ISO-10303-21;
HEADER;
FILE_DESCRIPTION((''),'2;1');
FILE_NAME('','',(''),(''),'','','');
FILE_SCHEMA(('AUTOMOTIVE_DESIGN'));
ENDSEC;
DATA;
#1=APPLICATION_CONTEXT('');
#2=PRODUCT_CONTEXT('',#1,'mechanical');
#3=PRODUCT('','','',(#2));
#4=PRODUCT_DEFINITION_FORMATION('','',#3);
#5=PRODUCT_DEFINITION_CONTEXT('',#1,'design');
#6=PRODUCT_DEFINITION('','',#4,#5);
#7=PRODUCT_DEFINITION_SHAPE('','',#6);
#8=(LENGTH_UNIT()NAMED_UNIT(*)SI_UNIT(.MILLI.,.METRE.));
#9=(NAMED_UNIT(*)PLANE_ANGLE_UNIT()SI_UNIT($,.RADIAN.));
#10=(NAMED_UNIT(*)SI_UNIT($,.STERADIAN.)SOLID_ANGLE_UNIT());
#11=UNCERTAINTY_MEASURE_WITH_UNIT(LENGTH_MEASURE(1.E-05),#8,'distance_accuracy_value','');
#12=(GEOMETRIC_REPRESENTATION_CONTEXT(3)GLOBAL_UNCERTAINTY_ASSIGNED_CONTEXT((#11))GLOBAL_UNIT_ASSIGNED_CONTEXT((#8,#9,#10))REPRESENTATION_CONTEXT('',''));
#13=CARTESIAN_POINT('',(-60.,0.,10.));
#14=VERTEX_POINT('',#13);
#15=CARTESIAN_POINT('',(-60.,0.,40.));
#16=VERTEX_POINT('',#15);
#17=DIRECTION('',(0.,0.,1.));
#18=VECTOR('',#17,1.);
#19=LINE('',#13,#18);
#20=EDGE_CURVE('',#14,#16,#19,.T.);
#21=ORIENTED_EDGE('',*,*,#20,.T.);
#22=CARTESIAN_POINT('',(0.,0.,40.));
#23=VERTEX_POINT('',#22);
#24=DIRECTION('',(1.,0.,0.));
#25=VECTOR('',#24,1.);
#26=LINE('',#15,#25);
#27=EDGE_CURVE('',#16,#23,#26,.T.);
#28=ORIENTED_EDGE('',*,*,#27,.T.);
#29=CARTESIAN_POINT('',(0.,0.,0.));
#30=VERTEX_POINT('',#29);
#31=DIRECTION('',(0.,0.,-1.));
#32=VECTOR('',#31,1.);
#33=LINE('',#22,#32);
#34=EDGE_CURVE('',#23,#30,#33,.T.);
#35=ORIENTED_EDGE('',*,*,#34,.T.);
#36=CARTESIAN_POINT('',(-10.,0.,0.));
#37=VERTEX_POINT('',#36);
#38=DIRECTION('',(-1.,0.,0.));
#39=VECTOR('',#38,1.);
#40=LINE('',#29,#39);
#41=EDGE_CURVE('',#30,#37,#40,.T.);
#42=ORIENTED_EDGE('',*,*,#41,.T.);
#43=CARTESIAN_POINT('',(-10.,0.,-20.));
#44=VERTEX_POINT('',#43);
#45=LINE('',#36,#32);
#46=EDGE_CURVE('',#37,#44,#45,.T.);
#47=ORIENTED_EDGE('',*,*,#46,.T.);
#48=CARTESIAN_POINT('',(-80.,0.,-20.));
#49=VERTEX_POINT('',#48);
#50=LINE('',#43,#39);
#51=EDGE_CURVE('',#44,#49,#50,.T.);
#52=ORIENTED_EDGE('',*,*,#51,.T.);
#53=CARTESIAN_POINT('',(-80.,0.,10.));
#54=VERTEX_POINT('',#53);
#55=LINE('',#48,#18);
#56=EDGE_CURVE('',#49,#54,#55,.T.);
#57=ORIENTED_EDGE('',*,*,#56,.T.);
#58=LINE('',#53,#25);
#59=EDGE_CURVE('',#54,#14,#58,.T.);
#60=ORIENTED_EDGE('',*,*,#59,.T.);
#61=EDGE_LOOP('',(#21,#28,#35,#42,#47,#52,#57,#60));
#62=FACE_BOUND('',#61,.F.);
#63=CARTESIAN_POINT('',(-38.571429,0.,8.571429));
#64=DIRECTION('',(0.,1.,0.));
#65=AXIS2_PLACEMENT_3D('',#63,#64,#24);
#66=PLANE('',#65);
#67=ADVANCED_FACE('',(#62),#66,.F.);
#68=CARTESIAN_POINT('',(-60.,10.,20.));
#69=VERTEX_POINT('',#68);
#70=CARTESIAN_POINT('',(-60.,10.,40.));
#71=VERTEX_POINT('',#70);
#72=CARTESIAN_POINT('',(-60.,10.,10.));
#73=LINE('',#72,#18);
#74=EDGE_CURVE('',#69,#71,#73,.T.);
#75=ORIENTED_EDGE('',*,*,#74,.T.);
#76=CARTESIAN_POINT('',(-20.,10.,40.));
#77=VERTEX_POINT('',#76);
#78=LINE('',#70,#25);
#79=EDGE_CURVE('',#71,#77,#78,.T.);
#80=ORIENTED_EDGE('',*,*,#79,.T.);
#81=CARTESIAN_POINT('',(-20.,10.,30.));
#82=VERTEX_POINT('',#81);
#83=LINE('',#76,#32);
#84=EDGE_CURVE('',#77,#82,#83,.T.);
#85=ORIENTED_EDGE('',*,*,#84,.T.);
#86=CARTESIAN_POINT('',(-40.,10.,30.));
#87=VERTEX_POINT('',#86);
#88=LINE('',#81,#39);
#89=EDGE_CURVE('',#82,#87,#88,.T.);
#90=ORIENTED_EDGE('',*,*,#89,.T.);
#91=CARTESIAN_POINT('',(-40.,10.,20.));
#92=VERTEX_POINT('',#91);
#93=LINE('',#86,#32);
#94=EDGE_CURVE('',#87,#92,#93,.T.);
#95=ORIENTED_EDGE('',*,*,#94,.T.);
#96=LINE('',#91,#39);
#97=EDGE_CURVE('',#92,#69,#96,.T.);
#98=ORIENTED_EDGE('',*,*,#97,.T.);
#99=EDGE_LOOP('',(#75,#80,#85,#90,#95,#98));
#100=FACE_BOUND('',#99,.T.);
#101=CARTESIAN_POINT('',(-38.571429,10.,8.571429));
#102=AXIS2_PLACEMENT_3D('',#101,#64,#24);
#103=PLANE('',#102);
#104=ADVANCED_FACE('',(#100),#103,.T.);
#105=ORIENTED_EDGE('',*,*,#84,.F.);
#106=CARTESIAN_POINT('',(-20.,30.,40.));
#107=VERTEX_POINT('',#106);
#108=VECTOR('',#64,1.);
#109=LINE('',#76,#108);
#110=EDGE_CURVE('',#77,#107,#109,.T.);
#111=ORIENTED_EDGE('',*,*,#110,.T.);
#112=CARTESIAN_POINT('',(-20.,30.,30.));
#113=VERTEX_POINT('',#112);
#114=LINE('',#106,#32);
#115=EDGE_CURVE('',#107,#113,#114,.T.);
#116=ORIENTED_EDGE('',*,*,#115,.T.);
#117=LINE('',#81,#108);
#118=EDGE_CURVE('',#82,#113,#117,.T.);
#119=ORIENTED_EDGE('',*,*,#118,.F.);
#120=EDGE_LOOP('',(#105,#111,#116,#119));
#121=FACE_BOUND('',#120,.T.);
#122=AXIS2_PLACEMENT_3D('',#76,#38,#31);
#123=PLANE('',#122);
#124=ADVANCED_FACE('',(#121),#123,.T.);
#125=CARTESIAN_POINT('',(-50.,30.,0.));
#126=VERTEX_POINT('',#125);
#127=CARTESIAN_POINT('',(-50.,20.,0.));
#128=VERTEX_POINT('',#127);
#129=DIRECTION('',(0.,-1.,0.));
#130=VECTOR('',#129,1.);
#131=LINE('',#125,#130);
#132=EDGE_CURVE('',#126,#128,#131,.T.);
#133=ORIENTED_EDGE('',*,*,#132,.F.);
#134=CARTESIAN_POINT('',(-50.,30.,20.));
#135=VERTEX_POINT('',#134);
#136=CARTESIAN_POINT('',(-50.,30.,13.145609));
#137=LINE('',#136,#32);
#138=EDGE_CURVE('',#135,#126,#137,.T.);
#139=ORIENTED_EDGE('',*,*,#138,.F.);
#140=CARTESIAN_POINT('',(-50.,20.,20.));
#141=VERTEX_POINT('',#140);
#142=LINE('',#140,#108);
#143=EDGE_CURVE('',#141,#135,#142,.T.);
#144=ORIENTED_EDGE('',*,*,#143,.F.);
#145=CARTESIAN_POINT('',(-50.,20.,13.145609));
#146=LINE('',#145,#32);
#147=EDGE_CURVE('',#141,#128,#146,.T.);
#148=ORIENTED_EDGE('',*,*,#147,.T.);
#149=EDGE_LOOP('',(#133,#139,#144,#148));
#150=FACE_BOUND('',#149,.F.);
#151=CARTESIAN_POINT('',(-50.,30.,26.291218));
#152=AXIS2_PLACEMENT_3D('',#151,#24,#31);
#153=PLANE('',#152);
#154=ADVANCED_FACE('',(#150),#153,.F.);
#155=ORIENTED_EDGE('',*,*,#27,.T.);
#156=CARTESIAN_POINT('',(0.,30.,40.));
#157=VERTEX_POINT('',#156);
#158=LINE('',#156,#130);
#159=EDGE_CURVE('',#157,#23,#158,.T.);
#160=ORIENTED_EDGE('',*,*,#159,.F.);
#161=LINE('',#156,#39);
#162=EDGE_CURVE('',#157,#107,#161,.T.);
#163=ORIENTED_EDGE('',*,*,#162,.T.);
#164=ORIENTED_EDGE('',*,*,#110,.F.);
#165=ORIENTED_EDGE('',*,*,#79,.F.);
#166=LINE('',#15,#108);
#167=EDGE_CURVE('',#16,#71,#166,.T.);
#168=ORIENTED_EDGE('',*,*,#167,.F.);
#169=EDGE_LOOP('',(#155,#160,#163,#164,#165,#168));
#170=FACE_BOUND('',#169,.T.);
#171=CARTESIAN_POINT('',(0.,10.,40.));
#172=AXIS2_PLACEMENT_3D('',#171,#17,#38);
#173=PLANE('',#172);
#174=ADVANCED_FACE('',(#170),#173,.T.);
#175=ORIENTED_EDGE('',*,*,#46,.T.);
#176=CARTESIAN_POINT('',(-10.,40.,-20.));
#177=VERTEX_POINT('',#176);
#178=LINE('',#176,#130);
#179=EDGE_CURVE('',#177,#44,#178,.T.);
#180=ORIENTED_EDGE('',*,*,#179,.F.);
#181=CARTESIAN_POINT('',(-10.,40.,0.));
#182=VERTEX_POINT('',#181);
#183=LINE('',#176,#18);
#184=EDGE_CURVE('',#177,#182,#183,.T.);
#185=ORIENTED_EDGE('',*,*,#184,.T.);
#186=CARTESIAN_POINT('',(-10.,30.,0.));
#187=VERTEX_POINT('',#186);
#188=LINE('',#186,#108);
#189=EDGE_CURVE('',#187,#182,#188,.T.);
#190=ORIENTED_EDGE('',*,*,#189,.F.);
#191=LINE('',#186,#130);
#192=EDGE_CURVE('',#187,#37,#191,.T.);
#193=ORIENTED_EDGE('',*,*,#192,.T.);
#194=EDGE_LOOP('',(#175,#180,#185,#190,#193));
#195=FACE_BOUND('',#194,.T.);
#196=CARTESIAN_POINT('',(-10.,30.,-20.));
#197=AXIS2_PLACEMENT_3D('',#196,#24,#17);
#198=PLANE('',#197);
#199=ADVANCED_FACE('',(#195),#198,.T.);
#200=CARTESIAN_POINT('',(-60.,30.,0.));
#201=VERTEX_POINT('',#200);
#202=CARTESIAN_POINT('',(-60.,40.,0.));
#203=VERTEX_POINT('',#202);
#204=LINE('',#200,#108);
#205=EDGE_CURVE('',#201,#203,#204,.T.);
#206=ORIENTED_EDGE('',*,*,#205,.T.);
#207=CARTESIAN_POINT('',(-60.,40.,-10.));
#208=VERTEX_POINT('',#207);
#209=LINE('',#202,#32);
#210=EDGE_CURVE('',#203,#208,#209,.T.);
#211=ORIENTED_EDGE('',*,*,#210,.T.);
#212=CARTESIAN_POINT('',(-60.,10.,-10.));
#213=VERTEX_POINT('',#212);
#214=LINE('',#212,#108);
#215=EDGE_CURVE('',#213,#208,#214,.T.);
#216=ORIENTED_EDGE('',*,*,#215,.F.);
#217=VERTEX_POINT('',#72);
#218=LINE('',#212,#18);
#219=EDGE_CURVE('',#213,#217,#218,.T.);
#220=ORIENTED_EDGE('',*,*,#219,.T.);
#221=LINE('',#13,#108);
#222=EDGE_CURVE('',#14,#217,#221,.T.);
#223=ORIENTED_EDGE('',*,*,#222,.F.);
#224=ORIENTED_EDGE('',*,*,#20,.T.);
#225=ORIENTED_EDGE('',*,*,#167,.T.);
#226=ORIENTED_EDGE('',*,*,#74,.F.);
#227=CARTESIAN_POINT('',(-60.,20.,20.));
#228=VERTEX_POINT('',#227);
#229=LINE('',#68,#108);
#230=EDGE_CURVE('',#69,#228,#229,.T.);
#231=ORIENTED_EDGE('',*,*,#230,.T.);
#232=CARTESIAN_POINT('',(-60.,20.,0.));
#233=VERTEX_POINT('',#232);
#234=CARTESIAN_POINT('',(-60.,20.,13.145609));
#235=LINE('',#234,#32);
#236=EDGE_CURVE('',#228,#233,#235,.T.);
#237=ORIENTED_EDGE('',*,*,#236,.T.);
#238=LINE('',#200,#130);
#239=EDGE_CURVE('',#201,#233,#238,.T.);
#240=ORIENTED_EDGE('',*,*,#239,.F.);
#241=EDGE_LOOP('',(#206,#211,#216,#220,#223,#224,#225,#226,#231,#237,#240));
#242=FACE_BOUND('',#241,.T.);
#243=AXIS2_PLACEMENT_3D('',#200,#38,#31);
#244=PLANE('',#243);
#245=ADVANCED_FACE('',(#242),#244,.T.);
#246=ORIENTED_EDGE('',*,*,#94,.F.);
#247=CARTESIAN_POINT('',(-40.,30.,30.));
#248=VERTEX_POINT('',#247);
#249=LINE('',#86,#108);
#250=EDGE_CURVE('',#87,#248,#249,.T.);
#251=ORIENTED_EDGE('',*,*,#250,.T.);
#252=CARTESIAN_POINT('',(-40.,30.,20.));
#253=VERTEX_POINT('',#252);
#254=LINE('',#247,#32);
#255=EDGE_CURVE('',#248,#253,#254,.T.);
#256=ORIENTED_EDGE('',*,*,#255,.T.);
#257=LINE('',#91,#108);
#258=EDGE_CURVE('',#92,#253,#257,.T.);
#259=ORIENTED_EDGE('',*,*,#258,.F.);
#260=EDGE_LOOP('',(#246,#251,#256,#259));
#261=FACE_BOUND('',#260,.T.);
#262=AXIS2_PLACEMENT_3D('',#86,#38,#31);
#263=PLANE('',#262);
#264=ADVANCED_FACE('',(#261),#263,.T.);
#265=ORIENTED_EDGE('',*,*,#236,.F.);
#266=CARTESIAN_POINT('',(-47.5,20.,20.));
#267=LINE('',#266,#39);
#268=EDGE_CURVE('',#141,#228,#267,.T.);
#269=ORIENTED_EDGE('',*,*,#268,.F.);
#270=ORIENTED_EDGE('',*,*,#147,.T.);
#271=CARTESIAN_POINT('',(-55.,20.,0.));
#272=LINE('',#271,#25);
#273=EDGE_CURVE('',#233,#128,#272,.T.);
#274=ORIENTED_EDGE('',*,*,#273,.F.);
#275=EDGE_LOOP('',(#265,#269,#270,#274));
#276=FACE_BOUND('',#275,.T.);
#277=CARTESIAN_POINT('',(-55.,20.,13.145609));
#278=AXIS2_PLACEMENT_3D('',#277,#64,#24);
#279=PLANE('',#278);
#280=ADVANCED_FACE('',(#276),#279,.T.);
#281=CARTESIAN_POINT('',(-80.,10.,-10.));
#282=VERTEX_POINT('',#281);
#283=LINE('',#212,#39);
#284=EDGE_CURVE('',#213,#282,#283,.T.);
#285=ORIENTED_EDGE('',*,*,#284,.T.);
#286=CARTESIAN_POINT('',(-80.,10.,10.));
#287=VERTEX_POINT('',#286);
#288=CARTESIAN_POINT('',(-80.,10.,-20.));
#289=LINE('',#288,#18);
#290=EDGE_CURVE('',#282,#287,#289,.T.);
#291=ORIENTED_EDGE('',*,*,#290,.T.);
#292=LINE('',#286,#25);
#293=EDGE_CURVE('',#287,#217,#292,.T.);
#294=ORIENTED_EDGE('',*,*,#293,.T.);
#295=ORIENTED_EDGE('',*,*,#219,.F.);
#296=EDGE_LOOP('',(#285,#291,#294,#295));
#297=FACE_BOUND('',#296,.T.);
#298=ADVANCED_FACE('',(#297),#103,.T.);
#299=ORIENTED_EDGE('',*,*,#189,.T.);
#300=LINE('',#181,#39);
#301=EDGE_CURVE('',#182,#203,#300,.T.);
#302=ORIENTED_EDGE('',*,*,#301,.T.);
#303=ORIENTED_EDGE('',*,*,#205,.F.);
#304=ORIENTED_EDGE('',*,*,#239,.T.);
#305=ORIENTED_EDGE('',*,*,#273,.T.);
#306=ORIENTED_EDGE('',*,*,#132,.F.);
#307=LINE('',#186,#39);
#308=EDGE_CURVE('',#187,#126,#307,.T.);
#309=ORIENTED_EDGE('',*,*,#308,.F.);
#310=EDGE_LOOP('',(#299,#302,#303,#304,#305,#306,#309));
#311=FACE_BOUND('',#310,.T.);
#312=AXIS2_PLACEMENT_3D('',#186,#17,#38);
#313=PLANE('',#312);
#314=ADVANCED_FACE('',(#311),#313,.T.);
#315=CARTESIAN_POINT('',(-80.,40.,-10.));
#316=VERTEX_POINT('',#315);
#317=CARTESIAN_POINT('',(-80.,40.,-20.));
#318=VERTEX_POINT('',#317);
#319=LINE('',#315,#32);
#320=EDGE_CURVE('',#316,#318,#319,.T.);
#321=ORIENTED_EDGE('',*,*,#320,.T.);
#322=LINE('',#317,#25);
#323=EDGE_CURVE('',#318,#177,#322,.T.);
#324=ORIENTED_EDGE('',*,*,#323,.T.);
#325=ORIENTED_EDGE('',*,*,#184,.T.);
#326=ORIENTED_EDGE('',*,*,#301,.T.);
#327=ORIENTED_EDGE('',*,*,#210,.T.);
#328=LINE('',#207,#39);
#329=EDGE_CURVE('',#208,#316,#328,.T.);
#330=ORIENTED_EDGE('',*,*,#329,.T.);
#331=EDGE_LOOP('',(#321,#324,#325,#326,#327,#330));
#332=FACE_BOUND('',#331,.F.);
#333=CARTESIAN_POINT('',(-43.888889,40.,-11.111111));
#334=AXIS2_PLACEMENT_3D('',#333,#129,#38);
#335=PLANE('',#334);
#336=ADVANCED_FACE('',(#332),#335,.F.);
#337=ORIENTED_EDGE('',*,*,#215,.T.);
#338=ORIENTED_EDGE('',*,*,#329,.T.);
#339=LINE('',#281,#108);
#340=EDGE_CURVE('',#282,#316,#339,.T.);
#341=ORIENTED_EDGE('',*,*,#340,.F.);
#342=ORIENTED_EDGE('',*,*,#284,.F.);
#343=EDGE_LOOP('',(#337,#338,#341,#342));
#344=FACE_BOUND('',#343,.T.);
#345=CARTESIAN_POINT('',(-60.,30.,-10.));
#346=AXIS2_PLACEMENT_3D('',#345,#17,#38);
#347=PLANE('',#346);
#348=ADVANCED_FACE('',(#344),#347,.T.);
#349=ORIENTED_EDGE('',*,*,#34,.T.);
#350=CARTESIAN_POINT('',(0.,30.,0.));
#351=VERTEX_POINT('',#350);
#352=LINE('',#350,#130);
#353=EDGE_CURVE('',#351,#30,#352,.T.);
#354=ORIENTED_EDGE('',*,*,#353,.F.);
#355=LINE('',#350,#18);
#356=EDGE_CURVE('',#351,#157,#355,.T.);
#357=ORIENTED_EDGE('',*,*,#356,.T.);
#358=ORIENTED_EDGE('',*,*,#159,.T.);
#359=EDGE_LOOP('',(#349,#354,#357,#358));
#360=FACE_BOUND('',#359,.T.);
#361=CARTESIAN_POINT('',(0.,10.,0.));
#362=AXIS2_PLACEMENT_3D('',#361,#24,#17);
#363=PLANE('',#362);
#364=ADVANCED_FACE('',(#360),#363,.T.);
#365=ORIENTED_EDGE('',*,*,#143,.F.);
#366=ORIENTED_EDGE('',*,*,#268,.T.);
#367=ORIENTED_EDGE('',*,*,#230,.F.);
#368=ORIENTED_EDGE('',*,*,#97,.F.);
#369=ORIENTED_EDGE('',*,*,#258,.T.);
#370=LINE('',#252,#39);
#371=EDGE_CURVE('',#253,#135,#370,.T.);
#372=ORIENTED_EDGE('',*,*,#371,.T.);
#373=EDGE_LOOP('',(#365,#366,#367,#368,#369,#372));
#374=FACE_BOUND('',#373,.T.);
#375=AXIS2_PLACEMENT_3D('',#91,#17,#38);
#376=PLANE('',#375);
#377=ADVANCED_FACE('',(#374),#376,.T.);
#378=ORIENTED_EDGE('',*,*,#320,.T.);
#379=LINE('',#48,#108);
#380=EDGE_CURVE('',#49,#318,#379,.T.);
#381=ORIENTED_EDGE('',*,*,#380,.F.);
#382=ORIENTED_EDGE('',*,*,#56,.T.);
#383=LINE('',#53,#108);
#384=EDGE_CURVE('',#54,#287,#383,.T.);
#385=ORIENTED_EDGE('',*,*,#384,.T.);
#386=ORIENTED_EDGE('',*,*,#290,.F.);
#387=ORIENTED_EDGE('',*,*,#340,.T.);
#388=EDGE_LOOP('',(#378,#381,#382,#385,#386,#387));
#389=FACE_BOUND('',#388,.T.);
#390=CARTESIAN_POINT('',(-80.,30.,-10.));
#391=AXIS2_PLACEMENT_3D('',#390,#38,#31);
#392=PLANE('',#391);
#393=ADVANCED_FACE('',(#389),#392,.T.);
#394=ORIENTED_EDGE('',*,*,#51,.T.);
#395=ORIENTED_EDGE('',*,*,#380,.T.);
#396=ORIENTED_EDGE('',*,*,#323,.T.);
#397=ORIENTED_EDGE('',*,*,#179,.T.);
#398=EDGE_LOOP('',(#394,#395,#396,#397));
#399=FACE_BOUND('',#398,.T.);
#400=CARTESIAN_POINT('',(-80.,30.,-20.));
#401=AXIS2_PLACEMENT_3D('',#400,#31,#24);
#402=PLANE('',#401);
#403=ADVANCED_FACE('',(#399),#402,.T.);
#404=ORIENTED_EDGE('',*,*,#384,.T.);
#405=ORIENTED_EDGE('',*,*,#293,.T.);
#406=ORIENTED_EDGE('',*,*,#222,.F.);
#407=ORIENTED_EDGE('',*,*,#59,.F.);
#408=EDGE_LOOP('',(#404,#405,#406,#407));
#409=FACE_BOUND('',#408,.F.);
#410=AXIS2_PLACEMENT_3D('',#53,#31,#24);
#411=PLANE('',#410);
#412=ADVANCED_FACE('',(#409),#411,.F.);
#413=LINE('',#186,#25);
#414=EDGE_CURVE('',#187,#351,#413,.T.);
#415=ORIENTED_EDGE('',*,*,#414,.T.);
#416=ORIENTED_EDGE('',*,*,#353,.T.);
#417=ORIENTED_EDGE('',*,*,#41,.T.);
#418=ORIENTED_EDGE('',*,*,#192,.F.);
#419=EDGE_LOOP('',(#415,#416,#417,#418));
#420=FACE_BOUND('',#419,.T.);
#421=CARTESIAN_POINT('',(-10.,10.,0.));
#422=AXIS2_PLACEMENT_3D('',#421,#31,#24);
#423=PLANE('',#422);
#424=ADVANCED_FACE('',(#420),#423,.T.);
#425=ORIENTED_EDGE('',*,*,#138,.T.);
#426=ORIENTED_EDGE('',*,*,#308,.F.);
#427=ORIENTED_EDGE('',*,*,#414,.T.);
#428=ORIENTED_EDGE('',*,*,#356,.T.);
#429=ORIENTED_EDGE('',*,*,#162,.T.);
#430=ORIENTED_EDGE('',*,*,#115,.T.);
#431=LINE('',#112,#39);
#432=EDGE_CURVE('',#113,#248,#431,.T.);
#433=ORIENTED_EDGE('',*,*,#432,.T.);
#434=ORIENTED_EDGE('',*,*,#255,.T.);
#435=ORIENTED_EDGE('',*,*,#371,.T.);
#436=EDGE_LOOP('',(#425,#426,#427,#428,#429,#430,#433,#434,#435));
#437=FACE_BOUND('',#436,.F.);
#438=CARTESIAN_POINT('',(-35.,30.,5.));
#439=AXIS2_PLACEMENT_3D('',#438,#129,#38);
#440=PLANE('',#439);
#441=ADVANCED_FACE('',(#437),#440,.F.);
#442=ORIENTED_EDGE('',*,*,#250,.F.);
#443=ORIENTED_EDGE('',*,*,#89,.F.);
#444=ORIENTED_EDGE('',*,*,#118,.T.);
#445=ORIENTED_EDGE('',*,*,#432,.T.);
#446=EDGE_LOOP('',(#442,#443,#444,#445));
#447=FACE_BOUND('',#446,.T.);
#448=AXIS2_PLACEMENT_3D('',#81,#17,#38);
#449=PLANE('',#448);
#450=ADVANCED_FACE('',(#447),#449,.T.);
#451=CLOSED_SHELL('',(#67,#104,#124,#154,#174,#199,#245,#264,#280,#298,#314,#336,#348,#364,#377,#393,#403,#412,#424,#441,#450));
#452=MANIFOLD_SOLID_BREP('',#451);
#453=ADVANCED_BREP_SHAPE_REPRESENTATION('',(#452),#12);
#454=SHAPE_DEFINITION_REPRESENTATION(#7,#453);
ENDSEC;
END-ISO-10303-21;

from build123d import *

# Parameters (mm, degrees)
BOSS_EXTRUDE1_DEPTH = 10
BOSS_EXTRUDE2_DEPTH = 20
BOSS_EXTRUDE3_DEPTH = 10
SKETCH4_W           = 10
SKETCH4_H           = 26.291217747
CUT_EXTRUDE1_DEPTH  = 10


with BuildPart() as part:
    # Sketch1 → Boss-Extrude1 (new body)
    with BuildSketch(Plane(origin=(0, 0, 0), x_dir=(1, 0, 0), z_dir=(0, 1, 0))):
        Polygon((0, 0), (-10, 0), (-10, 20), (-80, 20), (-80, -10), (-60, -10), (-60, -40), (0, -40), align=None)
    extrude(amount=BOSS_EXTRUDE1_DEPTH)

    # Sketch2 → Boss-Extrude2 (add)
    with BuildSketch(Plane(origin=(0, 10, 0), x_dir=(1, 0, 0), z_dir=(0, 1, 0))):
        Polygon((-10, 20), (-10, 0), (0, 0), (0, -40), (-20, -40), (-20, -30), (-40, -30), (-40, -20), (-60, -20), (-60, -10), (-60, 10), (-80, 10), (-80, 20), (-60, 20), align=None)
    extrude(amount=BOSS_EXTRUDE2_DEPTH)

    # Sketch3 → Boss-Extrude3 (add)
    with BuildSketch(Plane(origin=(0, 30, 0), x_dir=(1, 0, 0), z_dir=(0, 1, 0))):
        Polygon((-80, 20), (-10, 20), (-10, 0), (-60, 0), (-60, 10), (-80, 10), align=None)
    extrude(amount=BOSS_EXTRUDE3_DEPTH)

    # Sketch4 → Cut-Extrude1 (cut)
    with BuildSketch(Plane(origin=(0, 30, 0), x_dir=(1, 0, 0), z_dir=(0, 1, 0))):
        with Locations((-55, -13.145608874)):
            Rectangle(SKETCH4_W, SKETCH4_H)
    extrude(amount=-CUT_EXTRUDE1_DEPTH, mode=Mode.SUBTRACT)


solid = part.part
